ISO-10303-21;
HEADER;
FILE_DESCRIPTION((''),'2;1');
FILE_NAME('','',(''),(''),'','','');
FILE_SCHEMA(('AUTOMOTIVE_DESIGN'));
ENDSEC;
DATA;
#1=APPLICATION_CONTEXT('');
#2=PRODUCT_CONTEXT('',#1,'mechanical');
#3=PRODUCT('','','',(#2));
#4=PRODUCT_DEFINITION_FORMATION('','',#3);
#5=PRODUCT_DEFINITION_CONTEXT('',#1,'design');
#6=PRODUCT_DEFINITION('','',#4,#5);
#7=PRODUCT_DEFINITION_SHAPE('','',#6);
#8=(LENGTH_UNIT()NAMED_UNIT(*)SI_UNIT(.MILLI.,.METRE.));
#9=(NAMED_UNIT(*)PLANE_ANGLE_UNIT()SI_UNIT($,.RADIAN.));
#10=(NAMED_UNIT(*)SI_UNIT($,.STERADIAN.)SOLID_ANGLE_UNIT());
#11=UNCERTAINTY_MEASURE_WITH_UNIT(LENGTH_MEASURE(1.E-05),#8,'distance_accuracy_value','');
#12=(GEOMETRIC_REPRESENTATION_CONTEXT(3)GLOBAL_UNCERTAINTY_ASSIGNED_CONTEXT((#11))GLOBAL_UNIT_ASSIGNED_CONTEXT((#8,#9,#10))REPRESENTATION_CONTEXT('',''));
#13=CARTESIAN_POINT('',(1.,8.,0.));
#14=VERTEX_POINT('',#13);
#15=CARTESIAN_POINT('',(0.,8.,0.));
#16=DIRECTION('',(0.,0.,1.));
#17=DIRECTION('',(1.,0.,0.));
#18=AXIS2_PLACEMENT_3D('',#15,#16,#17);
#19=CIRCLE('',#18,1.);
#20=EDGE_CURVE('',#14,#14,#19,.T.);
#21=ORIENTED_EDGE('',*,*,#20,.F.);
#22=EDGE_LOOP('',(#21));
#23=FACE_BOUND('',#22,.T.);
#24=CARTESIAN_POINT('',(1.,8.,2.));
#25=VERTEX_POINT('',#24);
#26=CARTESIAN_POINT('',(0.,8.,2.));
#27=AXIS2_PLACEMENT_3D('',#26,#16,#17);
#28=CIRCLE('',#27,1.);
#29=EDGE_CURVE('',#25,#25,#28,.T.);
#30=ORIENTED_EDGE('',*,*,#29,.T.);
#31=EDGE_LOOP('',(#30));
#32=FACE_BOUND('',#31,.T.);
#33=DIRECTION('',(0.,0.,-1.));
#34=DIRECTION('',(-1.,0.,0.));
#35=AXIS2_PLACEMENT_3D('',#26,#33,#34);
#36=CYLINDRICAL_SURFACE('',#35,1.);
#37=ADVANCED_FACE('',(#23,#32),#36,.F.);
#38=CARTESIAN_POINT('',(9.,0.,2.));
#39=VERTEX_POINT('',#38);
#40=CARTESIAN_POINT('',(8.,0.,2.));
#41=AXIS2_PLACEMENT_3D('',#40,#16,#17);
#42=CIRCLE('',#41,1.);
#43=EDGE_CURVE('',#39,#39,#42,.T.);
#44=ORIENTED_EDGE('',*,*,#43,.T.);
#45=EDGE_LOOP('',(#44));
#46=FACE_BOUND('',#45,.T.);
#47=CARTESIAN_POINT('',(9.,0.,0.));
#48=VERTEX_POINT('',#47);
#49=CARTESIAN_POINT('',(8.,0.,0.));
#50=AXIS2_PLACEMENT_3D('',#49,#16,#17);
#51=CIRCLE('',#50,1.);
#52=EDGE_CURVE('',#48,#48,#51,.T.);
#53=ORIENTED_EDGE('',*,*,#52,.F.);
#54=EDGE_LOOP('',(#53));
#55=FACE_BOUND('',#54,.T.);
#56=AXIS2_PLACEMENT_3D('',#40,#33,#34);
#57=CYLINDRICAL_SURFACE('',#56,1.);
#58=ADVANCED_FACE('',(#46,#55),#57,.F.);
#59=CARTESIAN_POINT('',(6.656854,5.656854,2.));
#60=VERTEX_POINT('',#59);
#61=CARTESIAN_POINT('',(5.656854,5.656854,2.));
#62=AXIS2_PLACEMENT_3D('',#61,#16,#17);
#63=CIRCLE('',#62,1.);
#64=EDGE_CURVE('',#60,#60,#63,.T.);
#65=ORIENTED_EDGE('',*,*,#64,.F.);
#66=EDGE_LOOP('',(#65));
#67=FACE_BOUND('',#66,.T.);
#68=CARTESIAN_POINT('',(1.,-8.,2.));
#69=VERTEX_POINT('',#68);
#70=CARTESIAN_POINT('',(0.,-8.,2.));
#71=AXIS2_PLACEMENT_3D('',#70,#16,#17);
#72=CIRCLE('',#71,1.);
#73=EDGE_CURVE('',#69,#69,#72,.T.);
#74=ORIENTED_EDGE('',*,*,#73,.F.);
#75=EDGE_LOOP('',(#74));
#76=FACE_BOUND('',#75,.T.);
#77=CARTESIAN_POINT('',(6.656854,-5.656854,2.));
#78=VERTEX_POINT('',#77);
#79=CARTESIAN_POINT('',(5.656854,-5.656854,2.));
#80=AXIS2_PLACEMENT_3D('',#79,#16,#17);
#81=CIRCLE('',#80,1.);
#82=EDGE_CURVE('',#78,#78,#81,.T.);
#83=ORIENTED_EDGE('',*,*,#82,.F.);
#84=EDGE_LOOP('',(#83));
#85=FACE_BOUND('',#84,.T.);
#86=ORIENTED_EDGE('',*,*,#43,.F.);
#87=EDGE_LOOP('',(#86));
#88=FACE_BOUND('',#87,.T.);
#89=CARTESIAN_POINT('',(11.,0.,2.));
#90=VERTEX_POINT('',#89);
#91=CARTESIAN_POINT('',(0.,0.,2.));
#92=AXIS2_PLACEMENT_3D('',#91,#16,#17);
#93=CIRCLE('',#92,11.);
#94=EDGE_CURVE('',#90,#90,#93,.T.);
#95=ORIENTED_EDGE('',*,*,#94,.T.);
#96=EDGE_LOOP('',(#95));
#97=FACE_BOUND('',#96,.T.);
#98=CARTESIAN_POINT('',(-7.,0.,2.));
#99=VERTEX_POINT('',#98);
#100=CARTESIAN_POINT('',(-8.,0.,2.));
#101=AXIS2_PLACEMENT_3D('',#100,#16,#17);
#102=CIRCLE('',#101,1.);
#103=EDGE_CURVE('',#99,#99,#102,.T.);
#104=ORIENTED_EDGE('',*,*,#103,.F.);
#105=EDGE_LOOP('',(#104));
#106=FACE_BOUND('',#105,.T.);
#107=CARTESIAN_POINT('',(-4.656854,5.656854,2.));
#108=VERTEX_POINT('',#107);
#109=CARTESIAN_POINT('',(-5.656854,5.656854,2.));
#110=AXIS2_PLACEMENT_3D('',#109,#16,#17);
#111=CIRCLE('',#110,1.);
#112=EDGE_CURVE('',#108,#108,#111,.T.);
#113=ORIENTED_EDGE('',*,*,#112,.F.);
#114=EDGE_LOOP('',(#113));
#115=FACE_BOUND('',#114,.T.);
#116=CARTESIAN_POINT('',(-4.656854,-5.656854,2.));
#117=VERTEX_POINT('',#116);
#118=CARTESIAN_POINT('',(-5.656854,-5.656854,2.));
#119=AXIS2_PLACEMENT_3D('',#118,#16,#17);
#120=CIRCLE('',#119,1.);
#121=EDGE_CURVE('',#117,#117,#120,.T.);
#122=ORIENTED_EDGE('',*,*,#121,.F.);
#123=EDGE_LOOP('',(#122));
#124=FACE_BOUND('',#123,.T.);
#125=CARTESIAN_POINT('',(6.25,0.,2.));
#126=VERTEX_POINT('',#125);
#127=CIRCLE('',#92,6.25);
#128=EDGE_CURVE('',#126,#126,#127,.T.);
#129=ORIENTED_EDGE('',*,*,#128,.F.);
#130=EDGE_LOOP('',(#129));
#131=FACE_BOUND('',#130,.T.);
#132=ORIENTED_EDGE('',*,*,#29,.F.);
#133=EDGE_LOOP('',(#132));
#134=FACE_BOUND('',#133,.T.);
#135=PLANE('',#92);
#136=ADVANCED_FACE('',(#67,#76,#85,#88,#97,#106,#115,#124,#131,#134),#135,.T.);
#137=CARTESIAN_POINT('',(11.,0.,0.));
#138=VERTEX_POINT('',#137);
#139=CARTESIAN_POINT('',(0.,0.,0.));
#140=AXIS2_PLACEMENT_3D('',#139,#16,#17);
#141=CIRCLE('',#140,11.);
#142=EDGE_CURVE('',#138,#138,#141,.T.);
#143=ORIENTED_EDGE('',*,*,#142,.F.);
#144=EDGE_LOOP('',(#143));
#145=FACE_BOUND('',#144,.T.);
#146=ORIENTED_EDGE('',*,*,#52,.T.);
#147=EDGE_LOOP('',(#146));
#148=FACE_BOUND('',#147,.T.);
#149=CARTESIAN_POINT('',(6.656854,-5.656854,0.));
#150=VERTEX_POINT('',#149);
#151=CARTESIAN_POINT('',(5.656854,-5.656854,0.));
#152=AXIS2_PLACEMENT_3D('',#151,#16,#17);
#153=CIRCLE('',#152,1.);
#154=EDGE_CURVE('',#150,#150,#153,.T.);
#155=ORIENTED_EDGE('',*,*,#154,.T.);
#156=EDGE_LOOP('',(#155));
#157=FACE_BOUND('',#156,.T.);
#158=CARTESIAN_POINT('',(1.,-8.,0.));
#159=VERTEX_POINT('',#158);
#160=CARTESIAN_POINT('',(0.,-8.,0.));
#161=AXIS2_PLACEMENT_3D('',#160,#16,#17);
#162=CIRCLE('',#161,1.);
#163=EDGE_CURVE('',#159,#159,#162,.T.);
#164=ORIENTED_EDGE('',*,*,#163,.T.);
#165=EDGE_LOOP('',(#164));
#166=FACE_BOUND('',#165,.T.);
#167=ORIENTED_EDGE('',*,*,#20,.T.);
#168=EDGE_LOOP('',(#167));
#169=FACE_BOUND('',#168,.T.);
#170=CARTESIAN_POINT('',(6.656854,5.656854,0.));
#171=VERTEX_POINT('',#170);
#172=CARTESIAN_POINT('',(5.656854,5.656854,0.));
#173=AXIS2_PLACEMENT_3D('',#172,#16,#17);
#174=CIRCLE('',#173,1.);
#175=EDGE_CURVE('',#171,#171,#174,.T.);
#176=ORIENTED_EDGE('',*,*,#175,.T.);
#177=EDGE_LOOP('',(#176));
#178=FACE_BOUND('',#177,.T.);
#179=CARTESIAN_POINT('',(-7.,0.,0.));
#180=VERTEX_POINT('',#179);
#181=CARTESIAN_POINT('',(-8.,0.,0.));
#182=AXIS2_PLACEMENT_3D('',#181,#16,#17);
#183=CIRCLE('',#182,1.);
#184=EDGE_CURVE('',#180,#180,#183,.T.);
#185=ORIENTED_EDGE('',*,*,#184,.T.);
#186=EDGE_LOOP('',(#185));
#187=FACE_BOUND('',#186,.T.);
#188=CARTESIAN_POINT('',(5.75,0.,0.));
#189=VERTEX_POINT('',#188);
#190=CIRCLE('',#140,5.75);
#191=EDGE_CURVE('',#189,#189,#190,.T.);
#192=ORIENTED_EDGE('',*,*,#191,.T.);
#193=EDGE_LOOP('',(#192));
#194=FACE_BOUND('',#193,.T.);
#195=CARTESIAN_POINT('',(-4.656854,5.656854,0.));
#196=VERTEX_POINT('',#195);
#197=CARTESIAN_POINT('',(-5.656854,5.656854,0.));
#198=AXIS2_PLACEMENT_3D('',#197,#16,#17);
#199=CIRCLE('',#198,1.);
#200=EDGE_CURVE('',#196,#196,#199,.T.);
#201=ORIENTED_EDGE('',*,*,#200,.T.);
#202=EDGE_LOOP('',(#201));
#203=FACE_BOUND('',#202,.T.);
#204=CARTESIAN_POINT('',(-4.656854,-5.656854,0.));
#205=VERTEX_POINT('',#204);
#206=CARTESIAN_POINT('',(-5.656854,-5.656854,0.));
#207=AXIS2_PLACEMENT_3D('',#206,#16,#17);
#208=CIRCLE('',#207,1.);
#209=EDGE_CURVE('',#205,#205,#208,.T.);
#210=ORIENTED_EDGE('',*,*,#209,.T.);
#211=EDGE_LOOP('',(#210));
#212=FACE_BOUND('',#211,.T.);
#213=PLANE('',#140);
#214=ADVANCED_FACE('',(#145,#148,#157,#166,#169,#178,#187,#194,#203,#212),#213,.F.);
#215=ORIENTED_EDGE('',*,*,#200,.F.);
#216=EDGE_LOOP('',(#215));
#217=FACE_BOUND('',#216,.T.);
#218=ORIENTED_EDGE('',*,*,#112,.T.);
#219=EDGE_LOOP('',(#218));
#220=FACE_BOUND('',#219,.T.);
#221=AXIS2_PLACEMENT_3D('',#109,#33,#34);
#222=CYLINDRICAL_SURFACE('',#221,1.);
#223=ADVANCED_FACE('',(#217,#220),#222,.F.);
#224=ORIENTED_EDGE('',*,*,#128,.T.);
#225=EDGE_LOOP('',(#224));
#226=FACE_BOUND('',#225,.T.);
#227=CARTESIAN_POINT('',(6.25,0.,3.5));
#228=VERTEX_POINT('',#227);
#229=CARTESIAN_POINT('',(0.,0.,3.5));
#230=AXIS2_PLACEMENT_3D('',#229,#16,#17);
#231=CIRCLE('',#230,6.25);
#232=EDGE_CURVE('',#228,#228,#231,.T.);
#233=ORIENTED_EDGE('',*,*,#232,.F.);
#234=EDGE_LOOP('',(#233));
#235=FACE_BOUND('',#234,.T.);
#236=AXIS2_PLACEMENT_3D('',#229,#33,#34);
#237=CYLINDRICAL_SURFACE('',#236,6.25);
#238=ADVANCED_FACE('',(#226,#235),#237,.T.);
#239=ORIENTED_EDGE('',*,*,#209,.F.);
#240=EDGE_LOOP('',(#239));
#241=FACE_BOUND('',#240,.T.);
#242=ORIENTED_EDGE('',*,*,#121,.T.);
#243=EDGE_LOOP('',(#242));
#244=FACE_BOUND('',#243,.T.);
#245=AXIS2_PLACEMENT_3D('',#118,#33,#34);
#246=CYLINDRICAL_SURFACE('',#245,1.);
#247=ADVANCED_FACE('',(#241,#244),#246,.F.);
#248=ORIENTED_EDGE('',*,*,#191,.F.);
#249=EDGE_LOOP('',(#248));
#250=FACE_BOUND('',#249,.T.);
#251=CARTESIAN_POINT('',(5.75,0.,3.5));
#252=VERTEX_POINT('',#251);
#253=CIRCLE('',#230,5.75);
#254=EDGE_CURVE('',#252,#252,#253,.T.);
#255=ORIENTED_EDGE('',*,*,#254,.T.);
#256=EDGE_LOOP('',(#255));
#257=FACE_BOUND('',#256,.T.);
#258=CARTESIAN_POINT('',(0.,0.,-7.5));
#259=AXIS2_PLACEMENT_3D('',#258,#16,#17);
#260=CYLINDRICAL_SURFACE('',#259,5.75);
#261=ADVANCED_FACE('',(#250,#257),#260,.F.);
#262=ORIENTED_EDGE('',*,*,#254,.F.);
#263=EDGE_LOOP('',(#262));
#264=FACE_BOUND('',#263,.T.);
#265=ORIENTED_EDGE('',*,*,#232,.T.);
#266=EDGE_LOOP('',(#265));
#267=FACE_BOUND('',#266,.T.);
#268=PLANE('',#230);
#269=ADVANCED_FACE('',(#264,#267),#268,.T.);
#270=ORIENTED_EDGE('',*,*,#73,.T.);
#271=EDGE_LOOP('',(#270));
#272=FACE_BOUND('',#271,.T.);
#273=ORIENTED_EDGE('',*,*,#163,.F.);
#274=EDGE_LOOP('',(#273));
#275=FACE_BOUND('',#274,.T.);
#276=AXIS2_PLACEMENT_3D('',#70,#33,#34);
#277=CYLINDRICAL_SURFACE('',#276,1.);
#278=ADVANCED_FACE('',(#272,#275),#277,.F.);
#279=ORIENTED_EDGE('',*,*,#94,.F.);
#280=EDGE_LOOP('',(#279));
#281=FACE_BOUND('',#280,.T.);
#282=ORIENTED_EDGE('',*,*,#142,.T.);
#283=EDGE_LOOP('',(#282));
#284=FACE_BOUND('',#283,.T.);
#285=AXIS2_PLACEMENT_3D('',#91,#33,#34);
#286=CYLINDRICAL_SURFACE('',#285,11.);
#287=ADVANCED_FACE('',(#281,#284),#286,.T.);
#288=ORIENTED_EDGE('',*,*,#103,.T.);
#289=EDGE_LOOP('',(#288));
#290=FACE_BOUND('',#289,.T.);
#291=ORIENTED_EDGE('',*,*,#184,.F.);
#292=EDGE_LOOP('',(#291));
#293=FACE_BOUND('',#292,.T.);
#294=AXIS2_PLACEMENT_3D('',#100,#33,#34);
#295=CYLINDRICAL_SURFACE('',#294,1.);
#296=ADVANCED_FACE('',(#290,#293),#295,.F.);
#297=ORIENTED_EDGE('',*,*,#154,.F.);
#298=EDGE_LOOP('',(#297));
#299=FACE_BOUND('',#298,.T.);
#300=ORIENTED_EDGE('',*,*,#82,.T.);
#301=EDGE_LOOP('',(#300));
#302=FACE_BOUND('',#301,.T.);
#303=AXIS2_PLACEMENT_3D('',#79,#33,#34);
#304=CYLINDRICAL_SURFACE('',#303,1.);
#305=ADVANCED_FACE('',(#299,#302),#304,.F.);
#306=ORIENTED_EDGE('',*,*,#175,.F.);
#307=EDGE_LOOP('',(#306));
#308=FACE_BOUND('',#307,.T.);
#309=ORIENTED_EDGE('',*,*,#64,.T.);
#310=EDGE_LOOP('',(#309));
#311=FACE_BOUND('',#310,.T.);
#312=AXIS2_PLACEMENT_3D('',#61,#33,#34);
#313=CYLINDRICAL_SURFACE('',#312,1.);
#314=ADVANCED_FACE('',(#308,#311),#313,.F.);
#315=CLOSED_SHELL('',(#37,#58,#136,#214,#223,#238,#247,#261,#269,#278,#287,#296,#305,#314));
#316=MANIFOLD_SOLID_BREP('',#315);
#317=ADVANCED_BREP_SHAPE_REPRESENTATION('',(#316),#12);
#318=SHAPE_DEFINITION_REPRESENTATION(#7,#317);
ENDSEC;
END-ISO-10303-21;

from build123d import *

# Parameters (mm, degrees)
SKETCH1_R           = 11
SKETCH1_R_2         = 1
BOSS_EXTRUDE1_DEPTH = 2
SKETCH2_R           = 6.25
BOSS_EXTRUDE2_DEPTH = 1.5
SKETCH3_R           = 5.75
CUT_EXTRUDE1_DEPTH  = 11


with BuildPart() as part:
    # Sketch1 → Boss-Extrude1 (new body)
    with BuildSketch(Plane.XY):
        Circle(SKETCH1_R)
        with Locations((0, 8)):
            Circle(SKETCH1_R_2, mode=Mode.SUBTRACT)
        with Locations((5.656854249, 5.656854249)):
            Circle(SKETCH1_R_2, mode=Mode.SUBTRACT)
        with Locations((8, 0)):
            Circle(SKETCH1_R_2, mode=Mode.SUBTRACT)
        with Locations((5.656854249, -5.656854249)):
            Circle(SKETCH1_R_2, mode=Mode.SUBTRACT)
        with Locations((0, -8)):
            Circle(SKETCH1_R_2, mode=Mode.SUBTRACT)
        with Locations((-5.656854249, -5.656854249)):
            Circle(SKETCH1_R_2, mode=Mode.SUBTRACT)
        with Locations((-8, 0)):
            Circle(SKETCH1_R_2, mode=Mode.SUBTRACT)
        with Locations((-5.656854249, 5.656854249)):
            Circle(SKETCH1_R_2, mode=Mode.SUBTRACT)
    extrude(amount=BOSS_EXTRUDE1_DEPTH)

    # Sketch2 → Boss-Extrude2 (add)
    with BuildSketch(Plane.XY.offset(2)):
        Circle(SKETCH2_R)
    extrude(amount=BOSS_EXTRUDE2_DEPTH)

    # Sketch3 → Cut-Extrude1 (cut)
    with BuildSketch(Plane.XY.offset(3.5)):
        Circle(SKETCH3_R)
    extrude(amount=-CUT_EXTRUDE1_DEPTH, mode=Mode.SUBTRACT)


solid = part.part
